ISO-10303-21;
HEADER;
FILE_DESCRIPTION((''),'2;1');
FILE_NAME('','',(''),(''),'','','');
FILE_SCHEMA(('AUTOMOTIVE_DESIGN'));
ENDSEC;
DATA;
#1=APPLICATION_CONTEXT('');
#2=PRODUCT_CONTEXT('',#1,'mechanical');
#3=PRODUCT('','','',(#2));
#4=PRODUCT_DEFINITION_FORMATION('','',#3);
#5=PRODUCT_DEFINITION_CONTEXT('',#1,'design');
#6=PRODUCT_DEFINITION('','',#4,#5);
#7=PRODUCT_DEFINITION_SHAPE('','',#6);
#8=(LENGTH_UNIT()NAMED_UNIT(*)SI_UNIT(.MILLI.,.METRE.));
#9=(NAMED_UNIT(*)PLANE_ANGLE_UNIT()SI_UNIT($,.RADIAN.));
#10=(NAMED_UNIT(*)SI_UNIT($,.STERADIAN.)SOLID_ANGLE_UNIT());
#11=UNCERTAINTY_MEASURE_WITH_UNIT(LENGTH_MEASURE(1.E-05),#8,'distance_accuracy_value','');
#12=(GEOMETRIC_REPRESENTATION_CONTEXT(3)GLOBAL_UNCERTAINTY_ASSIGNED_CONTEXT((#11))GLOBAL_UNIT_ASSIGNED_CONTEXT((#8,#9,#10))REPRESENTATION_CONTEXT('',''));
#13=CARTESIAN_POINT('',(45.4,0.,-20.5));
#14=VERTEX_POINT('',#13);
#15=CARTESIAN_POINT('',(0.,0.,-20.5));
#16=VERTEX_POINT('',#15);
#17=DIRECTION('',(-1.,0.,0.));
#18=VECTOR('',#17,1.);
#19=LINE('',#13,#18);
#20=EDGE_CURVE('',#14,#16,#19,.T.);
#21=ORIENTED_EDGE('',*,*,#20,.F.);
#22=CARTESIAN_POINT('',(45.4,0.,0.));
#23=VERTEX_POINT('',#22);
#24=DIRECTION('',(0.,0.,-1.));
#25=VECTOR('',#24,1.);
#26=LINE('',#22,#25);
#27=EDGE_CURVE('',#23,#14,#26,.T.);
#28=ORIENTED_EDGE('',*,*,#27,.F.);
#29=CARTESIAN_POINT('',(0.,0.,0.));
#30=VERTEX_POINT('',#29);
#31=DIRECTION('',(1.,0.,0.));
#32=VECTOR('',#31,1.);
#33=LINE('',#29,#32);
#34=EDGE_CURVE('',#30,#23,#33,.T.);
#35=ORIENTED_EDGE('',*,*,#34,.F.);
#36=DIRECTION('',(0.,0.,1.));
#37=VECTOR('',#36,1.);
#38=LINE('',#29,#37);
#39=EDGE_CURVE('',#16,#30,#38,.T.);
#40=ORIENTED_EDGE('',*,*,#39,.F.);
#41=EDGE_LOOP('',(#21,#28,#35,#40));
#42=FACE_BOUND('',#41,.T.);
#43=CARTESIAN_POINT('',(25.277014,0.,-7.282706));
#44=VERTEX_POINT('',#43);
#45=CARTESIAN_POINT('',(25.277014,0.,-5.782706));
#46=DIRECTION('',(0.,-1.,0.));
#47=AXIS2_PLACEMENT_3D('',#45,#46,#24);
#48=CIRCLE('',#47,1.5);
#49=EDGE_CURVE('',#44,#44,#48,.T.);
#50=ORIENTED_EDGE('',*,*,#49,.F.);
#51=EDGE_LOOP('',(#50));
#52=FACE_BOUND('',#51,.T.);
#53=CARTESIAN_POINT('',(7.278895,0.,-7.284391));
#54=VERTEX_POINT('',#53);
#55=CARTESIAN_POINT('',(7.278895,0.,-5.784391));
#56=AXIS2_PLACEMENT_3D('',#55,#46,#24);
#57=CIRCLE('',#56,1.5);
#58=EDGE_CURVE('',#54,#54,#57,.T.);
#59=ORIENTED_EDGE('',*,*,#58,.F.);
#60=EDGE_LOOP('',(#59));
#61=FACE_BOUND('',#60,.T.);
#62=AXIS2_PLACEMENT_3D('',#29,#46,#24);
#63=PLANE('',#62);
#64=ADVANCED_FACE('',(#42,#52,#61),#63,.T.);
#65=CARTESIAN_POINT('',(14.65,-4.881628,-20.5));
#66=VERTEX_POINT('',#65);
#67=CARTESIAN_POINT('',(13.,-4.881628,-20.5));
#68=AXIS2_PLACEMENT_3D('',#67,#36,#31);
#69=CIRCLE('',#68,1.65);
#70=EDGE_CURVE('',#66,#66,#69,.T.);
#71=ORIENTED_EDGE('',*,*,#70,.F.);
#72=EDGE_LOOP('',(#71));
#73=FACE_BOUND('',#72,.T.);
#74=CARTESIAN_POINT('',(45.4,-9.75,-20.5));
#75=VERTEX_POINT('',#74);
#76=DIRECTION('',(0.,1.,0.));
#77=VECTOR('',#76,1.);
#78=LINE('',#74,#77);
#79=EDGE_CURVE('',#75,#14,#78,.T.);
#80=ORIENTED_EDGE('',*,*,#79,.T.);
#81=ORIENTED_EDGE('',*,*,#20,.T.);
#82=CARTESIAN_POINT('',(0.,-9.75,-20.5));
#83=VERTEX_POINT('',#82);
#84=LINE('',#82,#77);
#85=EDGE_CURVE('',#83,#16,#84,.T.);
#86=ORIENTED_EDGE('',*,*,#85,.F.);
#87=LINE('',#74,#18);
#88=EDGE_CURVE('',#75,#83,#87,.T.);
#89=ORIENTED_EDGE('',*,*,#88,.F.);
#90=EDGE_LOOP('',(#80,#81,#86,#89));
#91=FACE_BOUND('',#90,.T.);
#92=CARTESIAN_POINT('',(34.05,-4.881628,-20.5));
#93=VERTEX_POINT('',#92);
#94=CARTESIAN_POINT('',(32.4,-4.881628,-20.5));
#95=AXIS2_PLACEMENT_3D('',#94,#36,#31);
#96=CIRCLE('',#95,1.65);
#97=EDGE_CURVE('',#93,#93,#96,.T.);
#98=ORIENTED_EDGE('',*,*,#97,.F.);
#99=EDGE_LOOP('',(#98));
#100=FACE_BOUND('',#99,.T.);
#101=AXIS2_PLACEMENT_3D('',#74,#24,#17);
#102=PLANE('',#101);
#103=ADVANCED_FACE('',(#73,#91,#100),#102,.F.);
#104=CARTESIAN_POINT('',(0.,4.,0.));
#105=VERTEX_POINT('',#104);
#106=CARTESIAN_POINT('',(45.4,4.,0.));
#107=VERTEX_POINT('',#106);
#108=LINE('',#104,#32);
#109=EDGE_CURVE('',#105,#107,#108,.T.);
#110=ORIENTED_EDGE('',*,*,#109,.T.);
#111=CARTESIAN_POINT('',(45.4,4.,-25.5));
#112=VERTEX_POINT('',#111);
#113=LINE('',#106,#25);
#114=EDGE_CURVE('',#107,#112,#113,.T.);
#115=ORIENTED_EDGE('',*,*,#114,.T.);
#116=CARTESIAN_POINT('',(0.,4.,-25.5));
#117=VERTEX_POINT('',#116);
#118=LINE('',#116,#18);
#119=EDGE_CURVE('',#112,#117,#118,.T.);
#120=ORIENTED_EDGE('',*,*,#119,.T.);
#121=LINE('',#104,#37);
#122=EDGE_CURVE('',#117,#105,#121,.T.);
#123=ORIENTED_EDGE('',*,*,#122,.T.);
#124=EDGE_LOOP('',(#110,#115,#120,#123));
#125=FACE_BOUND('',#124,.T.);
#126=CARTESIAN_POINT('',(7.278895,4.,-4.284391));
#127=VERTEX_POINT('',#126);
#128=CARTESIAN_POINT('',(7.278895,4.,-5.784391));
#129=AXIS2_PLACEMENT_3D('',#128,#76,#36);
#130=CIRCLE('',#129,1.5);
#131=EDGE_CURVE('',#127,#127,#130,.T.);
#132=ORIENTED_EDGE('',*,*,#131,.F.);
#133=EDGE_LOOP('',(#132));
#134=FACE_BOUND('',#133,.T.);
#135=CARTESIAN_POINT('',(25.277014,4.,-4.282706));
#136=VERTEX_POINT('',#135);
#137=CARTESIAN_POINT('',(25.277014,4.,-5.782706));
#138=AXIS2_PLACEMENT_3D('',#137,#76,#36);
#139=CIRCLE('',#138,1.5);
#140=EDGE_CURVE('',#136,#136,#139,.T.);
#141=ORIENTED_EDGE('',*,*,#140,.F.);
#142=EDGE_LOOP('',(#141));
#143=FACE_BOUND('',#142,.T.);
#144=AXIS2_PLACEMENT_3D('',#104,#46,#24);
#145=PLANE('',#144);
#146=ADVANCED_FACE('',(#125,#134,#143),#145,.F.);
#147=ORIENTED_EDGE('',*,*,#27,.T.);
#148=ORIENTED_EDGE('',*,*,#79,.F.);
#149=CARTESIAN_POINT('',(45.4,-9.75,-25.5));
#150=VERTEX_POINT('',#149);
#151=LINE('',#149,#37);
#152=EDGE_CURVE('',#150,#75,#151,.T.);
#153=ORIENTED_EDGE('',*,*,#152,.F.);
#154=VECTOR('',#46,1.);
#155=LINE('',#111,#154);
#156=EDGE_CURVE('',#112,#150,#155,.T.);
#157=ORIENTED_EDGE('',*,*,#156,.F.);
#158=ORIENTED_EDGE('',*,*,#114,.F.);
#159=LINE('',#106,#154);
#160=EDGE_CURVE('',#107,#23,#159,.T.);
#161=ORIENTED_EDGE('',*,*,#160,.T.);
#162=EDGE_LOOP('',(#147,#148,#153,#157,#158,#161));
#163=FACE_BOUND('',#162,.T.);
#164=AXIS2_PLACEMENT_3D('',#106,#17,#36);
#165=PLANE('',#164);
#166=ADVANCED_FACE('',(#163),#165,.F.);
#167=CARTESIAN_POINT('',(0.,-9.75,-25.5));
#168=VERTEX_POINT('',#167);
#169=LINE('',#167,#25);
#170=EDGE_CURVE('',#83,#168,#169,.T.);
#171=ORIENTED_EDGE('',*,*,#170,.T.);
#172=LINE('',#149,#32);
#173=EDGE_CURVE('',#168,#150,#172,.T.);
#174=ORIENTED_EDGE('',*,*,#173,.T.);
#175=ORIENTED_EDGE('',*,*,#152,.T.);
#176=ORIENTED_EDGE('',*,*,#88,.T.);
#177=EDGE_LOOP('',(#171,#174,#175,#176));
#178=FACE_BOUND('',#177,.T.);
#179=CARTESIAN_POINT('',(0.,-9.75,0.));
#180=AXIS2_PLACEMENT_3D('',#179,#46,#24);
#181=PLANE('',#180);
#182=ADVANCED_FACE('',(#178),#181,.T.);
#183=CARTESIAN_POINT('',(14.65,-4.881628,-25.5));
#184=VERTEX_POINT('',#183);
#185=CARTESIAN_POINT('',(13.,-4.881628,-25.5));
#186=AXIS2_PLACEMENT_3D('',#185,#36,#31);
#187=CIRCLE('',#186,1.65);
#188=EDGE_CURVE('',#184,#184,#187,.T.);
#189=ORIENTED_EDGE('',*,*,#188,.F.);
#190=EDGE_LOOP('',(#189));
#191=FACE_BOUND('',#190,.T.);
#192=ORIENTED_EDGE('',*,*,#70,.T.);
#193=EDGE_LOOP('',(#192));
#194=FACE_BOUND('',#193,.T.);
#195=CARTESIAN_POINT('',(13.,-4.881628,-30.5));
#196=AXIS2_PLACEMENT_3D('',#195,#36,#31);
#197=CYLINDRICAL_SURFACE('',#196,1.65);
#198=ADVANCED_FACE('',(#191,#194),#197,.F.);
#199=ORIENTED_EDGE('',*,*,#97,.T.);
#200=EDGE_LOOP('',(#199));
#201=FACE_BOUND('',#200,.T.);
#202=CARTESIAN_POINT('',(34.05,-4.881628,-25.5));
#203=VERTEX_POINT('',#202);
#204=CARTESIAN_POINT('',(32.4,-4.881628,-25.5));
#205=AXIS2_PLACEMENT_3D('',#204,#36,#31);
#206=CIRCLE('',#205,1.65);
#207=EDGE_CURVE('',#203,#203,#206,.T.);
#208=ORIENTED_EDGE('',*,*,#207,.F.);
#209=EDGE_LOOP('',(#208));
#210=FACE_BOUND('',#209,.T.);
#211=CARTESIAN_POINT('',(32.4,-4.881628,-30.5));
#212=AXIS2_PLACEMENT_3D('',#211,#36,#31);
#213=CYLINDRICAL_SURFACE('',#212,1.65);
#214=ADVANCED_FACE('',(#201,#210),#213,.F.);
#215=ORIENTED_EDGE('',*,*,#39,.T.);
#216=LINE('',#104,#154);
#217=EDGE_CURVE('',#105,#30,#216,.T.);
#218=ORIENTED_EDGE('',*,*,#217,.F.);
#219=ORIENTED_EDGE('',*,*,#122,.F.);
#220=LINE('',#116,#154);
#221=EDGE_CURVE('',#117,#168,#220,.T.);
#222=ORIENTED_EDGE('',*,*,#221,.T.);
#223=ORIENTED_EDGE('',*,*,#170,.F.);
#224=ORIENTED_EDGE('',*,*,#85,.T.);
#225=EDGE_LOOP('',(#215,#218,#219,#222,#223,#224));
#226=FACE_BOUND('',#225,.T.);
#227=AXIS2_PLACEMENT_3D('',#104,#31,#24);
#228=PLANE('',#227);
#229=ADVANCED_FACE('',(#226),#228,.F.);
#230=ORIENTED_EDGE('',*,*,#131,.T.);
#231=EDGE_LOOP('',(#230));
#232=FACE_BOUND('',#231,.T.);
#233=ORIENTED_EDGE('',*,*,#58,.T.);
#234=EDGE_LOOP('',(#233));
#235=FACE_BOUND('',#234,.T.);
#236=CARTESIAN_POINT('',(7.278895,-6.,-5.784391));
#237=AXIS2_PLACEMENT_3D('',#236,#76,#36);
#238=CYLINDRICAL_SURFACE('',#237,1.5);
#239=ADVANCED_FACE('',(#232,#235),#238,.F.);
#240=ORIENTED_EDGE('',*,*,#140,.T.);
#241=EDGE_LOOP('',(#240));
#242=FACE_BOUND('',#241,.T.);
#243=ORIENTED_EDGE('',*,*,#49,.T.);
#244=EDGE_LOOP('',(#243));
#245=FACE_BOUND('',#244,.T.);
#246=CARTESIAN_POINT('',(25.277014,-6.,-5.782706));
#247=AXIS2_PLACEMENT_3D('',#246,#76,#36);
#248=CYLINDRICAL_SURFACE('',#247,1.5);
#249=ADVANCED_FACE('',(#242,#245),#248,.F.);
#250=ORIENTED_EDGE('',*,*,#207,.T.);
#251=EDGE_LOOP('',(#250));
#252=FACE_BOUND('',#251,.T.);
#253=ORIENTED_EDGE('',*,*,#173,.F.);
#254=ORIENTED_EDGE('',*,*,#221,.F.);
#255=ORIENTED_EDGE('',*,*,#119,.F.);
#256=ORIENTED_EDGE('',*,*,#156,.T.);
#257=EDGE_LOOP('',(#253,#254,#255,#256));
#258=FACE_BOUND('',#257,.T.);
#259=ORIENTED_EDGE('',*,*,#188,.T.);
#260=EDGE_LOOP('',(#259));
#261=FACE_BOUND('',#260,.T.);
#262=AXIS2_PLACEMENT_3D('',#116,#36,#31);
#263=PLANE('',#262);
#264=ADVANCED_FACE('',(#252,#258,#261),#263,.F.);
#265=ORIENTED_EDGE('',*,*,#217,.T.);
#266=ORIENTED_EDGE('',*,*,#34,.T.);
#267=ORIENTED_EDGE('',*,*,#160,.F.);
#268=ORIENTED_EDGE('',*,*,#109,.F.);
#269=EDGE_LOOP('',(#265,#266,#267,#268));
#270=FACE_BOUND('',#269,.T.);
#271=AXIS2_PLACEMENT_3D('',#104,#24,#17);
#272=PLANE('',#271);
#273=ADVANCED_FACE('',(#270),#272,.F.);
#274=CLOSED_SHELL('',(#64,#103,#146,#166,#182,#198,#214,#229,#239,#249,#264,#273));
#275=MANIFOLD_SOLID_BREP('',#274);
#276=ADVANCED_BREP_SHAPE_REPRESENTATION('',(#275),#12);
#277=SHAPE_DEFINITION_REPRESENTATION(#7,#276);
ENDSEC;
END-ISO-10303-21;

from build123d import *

# Parameters (mm, degrees)
SKETCH1_W           = 45.4
SKETCH1_H           = 25.5
BOSS_EXTRUDE1_DEPTH = 4
SKETCH2_W           = 45.4
SKETCH2_H           = 5
BOSS_EXTRUDE2_DEPTH = 9.75
SKETCH3_R           = 1.5
CUT_EXTRUDE1_DEPTH  = 10
SKETCH7_R           = 1.65
CUT_EXTRUDE3_DEPTH  = 10


with BuildPart() as part:
    # Sketch1 → Boss-Extrude1 (new body)
    with BuildSketch(Plane(origin=(0, 0, 0), x_dir=(1, 0, 0), z_dir=(0, 1, 0))):
        with Locations((22.7, 12.75)):
            Rectangle(SKETCH1_W, SKETCH1_H)
    extrude(amount=BOSS_EXTRUDE1_DEPTH)

    # Sketch2 → Boss-Extrude2 (add)
    with BuildSketch(Plane.XZ):
        with Locations((22.7, -23)):
            Rectangle(SKETCH2_W, SKETCH2_H)
    extrude(amount=BOSS_EXTRUDE2_DEPTH)

    # Sketch3 → Cut-Extrude1 (cut)
    with BuildSketch(Plane(origin=(0, 4, 0), x_dir=(1, 0, 0), z_dir=(0, 1, 0))):
        with Locations((7.278895007, 5.784390941)):
            Circle(SKETCH3_R)
        with Locations((25.277013577, 5.782705683)):
            Circle(SKETCH3_R)
    extrude(amount=-CUT_EXTRUDE1_DEPTH, mode=Mode.SUBTRACT)

    # Sketch7 → Cut-Extrude3 (cut)
    with BuildSketch(Plane.XY.offset(-20.5)):
        with Locations((32.4, -4.881628377)):
            Circle(SKETCH7_R)
        with Locations((13, -4.881628377)):
            Circle(SKETCH7_R)
    extrude(amount=-CUT_EXTRUDE3_DEPTH, mode=Mode.SUBTRACT)


solid = part.part
